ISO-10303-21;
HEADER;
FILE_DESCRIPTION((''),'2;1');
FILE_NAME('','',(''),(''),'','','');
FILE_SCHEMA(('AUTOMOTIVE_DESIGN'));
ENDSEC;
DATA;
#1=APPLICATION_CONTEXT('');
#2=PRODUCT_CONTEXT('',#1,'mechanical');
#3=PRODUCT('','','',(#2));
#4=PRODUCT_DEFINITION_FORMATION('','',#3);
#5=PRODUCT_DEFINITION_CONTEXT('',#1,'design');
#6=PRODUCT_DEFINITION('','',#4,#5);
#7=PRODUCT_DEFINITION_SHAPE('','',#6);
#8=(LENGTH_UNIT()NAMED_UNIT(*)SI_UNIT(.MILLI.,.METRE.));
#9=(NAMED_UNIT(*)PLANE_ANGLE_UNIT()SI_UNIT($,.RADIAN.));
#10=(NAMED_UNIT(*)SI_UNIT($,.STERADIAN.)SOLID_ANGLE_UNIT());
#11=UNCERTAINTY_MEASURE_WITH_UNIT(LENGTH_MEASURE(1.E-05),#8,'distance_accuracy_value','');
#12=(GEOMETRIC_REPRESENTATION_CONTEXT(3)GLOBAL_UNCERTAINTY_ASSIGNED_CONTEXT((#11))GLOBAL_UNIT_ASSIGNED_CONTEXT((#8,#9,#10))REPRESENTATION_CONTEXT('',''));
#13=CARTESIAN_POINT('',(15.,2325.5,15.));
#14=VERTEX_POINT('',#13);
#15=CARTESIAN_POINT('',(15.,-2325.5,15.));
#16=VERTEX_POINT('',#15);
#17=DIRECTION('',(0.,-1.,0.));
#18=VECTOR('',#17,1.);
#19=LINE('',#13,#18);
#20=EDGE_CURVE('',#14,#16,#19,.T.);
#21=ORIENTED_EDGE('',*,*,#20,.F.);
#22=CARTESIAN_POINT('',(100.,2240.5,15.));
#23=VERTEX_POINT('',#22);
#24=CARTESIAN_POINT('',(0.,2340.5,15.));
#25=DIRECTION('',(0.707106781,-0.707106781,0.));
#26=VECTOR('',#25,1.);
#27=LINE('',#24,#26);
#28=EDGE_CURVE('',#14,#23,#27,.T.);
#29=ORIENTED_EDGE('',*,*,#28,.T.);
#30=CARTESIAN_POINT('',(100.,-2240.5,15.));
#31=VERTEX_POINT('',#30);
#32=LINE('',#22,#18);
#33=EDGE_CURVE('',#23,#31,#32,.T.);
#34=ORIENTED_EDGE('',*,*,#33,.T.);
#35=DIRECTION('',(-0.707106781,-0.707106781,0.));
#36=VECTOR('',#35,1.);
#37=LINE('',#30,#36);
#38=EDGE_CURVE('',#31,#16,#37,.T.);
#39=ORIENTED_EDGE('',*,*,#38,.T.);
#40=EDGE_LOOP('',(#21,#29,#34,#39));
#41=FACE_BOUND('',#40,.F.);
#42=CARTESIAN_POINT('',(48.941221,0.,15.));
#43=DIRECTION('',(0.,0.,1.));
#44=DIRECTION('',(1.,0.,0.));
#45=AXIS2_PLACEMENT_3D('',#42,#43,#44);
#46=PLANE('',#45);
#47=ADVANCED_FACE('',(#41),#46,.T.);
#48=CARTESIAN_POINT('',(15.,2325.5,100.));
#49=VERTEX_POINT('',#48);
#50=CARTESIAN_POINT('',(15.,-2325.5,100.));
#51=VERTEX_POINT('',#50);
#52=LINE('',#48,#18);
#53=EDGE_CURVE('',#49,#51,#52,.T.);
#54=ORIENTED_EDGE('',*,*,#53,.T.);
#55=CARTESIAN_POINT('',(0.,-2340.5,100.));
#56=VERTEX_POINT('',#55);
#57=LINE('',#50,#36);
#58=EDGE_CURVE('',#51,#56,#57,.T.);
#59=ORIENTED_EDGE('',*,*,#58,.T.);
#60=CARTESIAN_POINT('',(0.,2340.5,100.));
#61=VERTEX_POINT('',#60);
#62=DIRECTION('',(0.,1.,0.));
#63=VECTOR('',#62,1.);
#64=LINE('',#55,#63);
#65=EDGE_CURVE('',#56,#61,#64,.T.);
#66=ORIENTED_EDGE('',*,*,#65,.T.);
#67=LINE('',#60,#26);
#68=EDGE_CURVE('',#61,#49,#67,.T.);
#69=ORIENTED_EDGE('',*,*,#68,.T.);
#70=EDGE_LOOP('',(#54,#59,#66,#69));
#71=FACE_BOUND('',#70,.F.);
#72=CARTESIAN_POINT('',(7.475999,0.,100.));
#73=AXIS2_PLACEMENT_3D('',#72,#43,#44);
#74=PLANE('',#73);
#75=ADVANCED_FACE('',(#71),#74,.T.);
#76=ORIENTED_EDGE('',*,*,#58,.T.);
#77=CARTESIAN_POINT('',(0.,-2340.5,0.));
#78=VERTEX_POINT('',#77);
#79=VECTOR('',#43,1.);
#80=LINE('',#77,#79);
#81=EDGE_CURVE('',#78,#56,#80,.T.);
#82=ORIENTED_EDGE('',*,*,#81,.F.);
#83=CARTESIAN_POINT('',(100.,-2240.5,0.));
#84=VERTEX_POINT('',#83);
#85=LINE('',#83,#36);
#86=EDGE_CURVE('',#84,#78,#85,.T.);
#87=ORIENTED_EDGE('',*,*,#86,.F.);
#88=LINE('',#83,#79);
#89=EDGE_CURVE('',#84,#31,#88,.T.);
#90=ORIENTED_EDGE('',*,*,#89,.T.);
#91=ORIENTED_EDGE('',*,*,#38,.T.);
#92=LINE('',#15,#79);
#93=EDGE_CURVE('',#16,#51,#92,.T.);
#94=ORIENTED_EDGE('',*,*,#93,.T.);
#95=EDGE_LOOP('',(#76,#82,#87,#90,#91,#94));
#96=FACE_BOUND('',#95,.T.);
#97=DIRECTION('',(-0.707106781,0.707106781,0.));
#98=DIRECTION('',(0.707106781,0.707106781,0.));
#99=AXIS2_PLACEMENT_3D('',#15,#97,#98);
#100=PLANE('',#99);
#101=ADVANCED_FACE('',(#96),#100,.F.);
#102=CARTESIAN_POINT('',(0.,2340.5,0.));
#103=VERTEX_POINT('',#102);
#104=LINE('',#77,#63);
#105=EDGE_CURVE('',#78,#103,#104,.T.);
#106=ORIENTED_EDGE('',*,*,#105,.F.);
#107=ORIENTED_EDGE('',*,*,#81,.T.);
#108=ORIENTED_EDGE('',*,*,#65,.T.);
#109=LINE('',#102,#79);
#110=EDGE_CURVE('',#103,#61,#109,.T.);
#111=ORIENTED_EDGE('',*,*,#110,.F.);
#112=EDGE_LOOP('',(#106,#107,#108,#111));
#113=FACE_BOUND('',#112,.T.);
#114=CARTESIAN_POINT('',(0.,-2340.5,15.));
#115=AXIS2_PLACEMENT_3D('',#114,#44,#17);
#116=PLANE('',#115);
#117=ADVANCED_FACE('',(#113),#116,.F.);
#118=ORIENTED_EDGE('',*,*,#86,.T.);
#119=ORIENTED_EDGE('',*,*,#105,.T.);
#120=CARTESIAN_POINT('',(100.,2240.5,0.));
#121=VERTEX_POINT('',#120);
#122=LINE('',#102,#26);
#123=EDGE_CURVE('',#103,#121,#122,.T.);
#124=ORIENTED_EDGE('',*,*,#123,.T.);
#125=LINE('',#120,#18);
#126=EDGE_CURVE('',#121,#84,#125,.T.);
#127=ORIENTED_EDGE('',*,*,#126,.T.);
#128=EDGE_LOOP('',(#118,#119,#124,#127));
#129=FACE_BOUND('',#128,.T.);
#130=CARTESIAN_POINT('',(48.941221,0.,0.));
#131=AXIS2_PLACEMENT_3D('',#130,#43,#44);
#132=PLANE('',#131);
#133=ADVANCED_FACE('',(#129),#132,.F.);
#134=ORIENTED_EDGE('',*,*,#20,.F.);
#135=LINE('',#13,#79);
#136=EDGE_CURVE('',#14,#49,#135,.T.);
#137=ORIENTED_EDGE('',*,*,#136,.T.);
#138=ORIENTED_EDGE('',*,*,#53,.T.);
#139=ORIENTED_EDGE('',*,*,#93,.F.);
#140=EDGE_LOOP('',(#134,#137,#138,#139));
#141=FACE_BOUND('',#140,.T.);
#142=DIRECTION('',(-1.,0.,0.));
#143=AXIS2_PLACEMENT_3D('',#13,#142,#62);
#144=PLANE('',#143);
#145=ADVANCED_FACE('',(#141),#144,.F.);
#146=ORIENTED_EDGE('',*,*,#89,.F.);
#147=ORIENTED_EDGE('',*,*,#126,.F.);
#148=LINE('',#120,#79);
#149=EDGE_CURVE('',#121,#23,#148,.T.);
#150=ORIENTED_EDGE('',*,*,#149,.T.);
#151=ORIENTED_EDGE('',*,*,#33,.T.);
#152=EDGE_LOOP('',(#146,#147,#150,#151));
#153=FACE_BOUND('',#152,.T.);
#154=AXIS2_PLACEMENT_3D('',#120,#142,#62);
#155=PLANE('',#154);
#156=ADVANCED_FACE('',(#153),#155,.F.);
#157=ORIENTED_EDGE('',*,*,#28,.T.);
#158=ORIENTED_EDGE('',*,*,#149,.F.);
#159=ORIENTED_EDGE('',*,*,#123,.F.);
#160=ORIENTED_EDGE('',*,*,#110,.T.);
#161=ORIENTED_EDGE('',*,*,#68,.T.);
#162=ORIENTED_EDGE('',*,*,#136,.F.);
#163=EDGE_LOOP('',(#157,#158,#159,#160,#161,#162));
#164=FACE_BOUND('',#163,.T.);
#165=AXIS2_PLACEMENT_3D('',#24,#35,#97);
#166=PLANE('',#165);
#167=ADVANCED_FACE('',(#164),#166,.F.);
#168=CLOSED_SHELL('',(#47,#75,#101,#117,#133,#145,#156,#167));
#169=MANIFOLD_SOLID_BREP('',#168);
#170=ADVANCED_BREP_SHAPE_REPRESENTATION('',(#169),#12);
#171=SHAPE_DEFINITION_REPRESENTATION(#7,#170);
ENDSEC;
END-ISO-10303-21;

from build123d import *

# Parameters (mm, degrees)
F1_DEPTH = 15
F3_DEPTH = 85


with BuildPart() as f1:
    # F0 (on Top) → F1 (new body)
    with BuildSketch(Plane.XY):
        Polygon((-100, -2240.5), (0, -2340.5), (0, 2340.5), (-100, 2240.5), align=None)
    extrude(amount=F1_DEPTH)

    # F2 (on face) → F3 (join)
    with BuildSketch(Plane.XY.offset(15)):
        Polygon((-15, -2325.5), (0, -2340.5), (0, 2340.5), (-15, 2325.5), align=None)
    extrude(amount=F3_DEPTH)


with BuildPart() as f4_1:
    # F4: instance of F1
    add(f1.part.mirror(Plane(origin=(0, 0, 50), x_dir=(0, 1, 0), z_dir=(1, 0, 0))))


solid = f4_1.part
